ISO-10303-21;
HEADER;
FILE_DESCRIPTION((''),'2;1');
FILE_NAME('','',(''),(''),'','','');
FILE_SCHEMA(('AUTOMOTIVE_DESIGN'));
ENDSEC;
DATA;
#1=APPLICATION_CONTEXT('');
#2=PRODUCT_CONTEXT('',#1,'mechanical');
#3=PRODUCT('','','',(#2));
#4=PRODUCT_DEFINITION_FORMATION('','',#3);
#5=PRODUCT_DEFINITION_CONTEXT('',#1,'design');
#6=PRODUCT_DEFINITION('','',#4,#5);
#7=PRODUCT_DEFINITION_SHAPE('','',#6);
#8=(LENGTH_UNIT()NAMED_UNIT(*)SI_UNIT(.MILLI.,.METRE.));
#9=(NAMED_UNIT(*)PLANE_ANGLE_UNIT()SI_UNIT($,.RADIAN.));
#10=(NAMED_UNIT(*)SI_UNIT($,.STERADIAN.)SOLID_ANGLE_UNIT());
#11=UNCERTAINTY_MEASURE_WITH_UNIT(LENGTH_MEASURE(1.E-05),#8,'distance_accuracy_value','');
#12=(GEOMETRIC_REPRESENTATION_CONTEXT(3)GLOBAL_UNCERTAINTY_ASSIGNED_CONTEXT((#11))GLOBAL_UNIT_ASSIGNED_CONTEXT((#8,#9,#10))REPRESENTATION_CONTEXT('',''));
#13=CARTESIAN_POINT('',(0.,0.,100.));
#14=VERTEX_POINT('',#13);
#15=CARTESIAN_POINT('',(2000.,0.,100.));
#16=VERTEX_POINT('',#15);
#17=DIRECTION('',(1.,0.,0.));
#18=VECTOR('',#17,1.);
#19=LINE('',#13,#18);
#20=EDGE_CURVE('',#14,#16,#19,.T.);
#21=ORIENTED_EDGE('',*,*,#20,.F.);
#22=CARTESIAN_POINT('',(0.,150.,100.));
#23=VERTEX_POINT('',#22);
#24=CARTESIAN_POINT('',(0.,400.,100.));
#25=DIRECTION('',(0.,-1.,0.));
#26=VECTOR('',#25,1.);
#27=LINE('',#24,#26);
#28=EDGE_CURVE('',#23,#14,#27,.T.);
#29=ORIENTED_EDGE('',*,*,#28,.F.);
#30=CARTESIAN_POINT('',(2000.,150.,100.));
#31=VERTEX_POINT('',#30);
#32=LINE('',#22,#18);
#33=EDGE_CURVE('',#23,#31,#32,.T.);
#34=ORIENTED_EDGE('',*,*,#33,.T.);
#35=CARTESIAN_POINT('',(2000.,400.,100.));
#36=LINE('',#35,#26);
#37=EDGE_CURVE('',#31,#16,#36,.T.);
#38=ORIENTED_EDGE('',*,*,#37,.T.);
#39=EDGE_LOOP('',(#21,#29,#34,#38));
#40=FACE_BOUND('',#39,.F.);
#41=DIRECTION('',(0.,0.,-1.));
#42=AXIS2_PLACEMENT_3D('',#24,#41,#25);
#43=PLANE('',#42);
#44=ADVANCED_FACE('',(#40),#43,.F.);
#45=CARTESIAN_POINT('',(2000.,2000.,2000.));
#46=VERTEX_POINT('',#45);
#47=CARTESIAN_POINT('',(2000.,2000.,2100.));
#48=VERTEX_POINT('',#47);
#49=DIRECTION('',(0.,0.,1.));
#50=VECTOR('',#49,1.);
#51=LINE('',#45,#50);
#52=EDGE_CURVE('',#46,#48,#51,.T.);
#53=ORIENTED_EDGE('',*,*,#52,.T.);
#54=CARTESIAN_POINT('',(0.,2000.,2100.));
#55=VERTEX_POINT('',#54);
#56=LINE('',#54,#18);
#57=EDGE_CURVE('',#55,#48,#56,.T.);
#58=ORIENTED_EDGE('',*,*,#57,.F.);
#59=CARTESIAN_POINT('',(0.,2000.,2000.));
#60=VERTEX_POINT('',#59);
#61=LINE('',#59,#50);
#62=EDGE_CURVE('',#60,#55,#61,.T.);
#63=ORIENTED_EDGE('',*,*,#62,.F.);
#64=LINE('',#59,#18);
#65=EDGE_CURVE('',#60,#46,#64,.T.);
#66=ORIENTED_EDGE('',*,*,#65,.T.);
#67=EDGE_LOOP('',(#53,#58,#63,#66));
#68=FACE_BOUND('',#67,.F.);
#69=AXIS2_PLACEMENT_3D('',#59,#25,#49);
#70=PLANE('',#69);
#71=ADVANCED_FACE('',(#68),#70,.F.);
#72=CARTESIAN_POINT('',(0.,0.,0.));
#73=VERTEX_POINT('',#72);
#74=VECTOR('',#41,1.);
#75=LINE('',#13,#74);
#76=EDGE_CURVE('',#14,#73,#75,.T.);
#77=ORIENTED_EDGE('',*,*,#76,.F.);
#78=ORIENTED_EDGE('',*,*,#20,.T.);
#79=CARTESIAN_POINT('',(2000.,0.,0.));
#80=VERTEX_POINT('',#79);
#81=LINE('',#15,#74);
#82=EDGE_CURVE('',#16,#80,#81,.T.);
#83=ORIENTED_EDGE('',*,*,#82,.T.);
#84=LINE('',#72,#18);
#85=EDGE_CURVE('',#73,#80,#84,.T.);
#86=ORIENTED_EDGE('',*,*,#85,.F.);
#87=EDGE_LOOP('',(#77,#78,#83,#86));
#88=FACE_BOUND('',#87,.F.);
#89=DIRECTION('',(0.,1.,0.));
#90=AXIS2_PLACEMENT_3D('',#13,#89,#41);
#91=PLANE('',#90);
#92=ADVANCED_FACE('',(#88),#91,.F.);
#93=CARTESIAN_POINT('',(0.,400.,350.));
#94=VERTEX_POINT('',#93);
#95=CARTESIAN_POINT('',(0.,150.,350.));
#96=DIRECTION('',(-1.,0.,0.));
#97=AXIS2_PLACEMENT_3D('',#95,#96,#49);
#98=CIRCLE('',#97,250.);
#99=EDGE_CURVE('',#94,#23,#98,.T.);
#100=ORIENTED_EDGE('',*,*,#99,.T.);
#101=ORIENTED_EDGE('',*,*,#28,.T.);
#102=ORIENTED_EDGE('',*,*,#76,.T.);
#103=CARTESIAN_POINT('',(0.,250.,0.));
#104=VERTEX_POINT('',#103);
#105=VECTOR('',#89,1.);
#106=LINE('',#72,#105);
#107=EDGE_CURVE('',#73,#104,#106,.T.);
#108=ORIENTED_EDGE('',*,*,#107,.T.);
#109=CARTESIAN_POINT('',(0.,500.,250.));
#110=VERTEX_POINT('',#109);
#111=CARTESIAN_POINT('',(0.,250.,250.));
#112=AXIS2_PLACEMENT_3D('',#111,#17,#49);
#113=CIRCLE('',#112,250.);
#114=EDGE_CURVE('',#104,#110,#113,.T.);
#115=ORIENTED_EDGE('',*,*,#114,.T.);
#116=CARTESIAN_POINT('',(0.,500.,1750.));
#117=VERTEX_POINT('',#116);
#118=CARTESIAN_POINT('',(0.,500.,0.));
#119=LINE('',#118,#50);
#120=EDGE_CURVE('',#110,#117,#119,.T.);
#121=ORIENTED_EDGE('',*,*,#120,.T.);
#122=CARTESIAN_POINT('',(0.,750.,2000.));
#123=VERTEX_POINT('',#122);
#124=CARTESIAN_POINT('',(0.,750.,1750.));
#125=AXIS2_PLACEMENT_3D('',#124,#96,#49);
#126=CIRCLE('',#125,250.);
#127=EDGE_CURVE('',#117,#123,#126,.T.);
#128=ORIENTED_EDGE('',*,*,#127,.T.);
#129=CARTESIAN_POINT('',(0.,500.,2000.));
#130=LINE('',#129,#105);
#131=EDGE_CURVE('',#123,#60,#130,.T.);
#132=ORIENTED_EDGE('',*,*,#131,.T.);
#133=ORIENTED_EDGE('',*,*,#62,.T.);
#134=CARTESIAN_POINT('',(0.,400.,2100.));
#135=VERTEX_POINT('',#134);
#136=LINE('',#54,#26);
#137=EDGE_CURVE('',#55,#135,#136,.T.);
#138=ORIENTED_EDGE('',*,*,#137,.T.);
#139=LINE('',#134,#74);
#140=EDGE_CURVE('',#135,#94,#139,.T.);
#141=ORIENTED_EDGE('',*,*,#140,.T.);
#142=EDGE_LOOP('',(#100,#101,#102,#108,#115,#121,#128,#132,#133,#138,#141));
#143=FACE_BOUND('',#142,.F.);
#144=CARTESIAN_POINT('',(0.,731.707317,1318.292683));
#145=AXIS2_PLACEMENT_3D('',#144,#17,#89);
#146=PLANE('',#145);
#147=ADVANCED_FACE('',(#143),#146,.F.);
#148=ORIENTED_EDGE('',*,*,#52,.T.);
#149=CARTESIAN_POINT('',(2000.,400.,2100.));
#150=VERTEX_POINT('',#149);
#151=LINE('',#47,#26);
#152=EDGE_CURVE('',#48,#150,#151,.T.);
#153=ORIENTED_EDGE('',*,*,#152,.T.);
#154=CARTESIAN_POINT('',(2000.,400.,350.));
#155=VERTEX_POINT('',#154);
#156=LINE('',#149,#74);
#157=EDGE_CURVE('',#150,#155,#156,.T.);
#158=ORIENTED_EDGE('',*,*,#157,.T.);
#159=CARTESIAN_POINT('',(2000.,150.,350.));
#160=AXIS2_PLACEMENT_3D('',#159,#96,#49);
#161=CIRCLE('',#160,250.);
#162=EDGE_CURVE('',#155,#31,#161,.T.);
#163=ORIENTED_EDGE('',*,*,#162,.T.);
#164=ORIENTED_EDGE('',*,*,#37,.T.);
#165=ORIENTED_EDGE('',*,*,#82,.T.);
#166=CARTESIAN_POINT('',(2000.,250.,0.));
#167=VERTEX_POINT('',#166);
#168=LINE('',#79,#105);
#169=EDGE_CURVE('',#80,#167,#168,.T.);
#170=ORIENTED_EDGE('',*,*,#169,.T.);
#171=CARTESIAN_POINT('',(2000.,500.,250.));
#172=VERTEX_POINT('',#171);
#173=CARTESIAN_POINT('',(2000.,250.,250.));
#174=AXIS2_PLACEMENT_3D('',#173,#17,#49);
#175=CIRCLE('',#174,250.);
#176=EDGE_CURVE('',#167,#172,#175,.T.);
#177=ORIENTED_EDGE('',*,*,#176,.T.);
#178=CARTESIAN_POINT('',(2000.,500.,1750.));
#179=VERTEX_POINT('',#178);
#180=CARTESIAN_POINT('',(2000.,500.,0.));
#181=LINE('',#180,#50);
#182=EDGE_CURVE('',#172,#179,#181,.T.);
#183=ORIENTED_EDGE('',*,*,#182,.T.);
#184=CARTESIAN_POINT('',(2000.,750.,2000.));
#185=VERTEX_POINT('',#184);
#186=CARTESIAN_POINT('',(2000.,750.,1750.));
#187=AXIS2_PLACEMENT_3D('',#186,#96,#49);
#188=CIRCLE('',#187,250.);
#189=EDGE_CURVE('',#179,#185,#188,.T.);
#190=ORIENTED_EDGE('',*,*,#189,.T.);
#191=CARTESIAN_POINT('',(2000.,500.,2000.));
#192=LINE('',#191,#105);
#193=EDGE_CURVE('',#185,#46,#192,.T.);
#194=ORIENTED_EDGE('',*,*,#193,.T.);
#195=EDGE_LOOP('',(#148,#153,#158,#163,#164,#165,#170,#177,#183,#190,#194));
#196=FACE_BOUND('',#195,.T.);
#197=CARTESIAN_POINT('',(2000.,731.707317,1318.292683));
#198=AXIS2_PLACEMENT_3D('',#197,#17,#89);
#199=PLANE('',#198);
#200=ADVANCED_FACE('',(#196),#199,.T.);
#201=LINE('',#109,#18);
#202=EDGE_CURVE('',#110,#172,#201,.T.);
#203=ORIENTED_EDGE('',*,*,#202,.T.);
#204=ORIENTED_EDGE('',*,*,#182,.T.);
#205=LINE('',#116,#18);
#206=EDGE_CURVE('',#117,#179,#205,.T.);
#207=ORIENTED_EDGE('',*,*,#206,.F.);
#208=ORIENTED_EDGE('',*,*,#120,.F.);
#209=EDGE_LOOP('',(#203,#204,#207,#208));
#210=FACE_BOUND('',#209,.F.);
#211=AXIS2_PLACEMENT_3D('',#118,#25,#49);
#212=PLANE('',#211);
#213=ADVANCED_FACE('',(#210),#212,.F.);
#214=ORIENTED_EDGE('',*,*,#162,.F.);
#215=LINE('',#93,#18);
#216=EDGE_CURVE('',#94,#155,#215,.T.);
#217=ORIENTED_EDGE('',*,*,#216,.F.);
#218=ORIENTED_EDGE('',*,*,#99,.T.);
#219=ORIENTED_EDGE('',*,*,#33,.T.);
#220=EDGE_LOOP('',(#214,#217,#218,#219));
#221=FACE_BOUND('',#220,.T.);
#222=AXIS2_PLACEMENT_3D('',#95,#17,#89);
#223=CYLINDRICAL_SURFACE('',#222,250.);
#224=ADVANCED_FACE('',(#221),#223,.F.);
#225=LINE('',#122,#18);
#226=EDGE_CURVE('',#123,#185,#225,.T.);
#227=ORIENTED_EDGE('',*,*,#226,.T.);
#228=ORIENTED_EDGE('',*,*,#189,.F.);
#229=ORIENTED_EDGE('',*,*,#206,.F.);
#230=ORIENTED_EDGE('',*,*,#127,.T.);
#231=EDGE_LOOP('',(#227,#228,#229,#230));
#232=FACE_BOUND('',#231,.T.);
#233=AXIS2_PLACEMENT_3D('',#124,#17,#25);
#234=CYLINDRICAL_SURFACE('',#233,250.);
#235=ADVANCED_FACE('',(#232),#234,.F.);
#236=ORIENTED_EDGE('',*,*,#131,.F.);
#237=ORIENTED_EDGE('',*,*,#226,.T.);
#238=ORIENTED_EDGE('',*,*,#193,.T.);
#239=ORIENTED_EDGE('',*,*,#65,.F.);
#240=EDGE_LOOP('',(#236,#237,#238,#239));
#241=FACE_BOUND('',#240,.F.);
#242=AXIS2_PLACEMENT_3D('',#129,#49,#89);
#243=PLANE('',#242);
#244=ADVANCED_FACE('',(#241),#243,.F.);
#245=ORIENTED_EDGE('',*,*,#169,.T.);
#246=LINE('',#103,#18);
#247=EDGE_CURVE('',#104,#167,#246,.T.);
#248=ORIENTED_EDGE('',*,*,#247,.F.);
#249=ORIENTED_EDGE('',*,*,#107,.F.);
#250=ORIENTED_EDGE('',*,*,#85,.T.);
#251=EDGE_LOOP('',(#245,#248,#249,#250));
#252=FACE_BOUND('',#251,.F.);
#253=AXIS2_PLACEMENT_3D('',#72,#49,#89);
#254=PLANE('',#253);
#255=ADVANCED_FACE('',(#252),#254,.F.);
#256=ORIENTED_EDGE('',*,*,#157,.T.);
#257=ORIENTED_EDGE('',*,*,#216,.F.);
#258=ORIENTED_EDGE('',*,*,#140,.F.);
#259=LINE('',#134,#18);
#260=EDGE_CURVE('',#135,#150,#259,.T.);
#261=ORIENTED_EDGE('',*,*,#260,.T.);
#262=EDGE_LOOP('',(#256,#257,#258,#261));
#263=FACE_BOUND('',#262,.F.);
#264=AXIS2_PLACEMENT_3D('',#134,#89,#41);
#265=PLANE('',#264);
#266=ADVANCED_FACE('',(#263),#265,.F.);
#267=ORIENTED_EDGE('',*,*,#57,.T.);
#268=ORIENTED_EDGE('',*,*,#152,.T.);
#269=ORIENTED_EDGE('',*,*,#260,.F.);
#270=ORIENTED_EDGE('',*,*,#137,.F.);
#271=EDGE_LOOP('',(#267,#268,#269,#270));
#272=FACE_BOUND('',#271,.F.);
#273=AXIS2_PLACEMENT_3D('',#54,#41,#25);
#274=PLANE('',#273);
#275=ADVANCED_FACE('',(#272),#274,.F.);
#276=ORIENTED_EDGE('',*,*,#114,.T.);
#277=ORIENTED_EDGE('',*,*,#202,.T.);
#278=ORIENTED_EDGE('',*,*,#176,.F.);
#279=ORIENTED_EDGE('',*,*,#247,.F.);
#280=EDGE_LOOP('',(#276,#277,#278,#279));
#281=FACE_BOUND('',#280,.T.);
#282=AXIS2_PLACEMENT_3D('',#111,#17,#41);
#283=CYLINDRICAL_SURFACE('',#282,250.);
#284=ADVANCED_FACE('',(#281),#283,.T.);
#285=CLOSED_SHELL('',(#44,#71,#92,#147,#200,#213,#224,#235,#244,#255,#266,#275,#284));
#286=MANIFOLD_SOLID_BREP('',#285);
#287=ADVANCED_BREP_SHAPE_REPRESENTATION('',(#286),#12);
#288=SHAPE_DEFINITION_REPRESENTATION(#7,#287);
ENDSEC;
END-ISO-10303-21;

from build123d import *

# Parameters (mm, degrees)
F1_DEPTH = 2000
F2_R     = 250


with BuildPart() as f1:
    # F0 (on Right) → F1 (new body)
    with BuildSketch(Plane.YZ):
        Polygon((0, 100), (0, 0), (500, 0), (500, 2000), (2000, 2000), (2000, 2100), (400, 2100), (400, 100), align=None)
    extrude(amount=F1_DEPTH)

    # F2
    f2_edges = [f1.edges().sort_by_distance(p)[0] for p in [
        (1000, 500, 2000),
        (1000, 500, 0),
        (1000, 400, 100),
    ]]
    fillet(f2_edges, radius=F2_R)


solid = f1.part
